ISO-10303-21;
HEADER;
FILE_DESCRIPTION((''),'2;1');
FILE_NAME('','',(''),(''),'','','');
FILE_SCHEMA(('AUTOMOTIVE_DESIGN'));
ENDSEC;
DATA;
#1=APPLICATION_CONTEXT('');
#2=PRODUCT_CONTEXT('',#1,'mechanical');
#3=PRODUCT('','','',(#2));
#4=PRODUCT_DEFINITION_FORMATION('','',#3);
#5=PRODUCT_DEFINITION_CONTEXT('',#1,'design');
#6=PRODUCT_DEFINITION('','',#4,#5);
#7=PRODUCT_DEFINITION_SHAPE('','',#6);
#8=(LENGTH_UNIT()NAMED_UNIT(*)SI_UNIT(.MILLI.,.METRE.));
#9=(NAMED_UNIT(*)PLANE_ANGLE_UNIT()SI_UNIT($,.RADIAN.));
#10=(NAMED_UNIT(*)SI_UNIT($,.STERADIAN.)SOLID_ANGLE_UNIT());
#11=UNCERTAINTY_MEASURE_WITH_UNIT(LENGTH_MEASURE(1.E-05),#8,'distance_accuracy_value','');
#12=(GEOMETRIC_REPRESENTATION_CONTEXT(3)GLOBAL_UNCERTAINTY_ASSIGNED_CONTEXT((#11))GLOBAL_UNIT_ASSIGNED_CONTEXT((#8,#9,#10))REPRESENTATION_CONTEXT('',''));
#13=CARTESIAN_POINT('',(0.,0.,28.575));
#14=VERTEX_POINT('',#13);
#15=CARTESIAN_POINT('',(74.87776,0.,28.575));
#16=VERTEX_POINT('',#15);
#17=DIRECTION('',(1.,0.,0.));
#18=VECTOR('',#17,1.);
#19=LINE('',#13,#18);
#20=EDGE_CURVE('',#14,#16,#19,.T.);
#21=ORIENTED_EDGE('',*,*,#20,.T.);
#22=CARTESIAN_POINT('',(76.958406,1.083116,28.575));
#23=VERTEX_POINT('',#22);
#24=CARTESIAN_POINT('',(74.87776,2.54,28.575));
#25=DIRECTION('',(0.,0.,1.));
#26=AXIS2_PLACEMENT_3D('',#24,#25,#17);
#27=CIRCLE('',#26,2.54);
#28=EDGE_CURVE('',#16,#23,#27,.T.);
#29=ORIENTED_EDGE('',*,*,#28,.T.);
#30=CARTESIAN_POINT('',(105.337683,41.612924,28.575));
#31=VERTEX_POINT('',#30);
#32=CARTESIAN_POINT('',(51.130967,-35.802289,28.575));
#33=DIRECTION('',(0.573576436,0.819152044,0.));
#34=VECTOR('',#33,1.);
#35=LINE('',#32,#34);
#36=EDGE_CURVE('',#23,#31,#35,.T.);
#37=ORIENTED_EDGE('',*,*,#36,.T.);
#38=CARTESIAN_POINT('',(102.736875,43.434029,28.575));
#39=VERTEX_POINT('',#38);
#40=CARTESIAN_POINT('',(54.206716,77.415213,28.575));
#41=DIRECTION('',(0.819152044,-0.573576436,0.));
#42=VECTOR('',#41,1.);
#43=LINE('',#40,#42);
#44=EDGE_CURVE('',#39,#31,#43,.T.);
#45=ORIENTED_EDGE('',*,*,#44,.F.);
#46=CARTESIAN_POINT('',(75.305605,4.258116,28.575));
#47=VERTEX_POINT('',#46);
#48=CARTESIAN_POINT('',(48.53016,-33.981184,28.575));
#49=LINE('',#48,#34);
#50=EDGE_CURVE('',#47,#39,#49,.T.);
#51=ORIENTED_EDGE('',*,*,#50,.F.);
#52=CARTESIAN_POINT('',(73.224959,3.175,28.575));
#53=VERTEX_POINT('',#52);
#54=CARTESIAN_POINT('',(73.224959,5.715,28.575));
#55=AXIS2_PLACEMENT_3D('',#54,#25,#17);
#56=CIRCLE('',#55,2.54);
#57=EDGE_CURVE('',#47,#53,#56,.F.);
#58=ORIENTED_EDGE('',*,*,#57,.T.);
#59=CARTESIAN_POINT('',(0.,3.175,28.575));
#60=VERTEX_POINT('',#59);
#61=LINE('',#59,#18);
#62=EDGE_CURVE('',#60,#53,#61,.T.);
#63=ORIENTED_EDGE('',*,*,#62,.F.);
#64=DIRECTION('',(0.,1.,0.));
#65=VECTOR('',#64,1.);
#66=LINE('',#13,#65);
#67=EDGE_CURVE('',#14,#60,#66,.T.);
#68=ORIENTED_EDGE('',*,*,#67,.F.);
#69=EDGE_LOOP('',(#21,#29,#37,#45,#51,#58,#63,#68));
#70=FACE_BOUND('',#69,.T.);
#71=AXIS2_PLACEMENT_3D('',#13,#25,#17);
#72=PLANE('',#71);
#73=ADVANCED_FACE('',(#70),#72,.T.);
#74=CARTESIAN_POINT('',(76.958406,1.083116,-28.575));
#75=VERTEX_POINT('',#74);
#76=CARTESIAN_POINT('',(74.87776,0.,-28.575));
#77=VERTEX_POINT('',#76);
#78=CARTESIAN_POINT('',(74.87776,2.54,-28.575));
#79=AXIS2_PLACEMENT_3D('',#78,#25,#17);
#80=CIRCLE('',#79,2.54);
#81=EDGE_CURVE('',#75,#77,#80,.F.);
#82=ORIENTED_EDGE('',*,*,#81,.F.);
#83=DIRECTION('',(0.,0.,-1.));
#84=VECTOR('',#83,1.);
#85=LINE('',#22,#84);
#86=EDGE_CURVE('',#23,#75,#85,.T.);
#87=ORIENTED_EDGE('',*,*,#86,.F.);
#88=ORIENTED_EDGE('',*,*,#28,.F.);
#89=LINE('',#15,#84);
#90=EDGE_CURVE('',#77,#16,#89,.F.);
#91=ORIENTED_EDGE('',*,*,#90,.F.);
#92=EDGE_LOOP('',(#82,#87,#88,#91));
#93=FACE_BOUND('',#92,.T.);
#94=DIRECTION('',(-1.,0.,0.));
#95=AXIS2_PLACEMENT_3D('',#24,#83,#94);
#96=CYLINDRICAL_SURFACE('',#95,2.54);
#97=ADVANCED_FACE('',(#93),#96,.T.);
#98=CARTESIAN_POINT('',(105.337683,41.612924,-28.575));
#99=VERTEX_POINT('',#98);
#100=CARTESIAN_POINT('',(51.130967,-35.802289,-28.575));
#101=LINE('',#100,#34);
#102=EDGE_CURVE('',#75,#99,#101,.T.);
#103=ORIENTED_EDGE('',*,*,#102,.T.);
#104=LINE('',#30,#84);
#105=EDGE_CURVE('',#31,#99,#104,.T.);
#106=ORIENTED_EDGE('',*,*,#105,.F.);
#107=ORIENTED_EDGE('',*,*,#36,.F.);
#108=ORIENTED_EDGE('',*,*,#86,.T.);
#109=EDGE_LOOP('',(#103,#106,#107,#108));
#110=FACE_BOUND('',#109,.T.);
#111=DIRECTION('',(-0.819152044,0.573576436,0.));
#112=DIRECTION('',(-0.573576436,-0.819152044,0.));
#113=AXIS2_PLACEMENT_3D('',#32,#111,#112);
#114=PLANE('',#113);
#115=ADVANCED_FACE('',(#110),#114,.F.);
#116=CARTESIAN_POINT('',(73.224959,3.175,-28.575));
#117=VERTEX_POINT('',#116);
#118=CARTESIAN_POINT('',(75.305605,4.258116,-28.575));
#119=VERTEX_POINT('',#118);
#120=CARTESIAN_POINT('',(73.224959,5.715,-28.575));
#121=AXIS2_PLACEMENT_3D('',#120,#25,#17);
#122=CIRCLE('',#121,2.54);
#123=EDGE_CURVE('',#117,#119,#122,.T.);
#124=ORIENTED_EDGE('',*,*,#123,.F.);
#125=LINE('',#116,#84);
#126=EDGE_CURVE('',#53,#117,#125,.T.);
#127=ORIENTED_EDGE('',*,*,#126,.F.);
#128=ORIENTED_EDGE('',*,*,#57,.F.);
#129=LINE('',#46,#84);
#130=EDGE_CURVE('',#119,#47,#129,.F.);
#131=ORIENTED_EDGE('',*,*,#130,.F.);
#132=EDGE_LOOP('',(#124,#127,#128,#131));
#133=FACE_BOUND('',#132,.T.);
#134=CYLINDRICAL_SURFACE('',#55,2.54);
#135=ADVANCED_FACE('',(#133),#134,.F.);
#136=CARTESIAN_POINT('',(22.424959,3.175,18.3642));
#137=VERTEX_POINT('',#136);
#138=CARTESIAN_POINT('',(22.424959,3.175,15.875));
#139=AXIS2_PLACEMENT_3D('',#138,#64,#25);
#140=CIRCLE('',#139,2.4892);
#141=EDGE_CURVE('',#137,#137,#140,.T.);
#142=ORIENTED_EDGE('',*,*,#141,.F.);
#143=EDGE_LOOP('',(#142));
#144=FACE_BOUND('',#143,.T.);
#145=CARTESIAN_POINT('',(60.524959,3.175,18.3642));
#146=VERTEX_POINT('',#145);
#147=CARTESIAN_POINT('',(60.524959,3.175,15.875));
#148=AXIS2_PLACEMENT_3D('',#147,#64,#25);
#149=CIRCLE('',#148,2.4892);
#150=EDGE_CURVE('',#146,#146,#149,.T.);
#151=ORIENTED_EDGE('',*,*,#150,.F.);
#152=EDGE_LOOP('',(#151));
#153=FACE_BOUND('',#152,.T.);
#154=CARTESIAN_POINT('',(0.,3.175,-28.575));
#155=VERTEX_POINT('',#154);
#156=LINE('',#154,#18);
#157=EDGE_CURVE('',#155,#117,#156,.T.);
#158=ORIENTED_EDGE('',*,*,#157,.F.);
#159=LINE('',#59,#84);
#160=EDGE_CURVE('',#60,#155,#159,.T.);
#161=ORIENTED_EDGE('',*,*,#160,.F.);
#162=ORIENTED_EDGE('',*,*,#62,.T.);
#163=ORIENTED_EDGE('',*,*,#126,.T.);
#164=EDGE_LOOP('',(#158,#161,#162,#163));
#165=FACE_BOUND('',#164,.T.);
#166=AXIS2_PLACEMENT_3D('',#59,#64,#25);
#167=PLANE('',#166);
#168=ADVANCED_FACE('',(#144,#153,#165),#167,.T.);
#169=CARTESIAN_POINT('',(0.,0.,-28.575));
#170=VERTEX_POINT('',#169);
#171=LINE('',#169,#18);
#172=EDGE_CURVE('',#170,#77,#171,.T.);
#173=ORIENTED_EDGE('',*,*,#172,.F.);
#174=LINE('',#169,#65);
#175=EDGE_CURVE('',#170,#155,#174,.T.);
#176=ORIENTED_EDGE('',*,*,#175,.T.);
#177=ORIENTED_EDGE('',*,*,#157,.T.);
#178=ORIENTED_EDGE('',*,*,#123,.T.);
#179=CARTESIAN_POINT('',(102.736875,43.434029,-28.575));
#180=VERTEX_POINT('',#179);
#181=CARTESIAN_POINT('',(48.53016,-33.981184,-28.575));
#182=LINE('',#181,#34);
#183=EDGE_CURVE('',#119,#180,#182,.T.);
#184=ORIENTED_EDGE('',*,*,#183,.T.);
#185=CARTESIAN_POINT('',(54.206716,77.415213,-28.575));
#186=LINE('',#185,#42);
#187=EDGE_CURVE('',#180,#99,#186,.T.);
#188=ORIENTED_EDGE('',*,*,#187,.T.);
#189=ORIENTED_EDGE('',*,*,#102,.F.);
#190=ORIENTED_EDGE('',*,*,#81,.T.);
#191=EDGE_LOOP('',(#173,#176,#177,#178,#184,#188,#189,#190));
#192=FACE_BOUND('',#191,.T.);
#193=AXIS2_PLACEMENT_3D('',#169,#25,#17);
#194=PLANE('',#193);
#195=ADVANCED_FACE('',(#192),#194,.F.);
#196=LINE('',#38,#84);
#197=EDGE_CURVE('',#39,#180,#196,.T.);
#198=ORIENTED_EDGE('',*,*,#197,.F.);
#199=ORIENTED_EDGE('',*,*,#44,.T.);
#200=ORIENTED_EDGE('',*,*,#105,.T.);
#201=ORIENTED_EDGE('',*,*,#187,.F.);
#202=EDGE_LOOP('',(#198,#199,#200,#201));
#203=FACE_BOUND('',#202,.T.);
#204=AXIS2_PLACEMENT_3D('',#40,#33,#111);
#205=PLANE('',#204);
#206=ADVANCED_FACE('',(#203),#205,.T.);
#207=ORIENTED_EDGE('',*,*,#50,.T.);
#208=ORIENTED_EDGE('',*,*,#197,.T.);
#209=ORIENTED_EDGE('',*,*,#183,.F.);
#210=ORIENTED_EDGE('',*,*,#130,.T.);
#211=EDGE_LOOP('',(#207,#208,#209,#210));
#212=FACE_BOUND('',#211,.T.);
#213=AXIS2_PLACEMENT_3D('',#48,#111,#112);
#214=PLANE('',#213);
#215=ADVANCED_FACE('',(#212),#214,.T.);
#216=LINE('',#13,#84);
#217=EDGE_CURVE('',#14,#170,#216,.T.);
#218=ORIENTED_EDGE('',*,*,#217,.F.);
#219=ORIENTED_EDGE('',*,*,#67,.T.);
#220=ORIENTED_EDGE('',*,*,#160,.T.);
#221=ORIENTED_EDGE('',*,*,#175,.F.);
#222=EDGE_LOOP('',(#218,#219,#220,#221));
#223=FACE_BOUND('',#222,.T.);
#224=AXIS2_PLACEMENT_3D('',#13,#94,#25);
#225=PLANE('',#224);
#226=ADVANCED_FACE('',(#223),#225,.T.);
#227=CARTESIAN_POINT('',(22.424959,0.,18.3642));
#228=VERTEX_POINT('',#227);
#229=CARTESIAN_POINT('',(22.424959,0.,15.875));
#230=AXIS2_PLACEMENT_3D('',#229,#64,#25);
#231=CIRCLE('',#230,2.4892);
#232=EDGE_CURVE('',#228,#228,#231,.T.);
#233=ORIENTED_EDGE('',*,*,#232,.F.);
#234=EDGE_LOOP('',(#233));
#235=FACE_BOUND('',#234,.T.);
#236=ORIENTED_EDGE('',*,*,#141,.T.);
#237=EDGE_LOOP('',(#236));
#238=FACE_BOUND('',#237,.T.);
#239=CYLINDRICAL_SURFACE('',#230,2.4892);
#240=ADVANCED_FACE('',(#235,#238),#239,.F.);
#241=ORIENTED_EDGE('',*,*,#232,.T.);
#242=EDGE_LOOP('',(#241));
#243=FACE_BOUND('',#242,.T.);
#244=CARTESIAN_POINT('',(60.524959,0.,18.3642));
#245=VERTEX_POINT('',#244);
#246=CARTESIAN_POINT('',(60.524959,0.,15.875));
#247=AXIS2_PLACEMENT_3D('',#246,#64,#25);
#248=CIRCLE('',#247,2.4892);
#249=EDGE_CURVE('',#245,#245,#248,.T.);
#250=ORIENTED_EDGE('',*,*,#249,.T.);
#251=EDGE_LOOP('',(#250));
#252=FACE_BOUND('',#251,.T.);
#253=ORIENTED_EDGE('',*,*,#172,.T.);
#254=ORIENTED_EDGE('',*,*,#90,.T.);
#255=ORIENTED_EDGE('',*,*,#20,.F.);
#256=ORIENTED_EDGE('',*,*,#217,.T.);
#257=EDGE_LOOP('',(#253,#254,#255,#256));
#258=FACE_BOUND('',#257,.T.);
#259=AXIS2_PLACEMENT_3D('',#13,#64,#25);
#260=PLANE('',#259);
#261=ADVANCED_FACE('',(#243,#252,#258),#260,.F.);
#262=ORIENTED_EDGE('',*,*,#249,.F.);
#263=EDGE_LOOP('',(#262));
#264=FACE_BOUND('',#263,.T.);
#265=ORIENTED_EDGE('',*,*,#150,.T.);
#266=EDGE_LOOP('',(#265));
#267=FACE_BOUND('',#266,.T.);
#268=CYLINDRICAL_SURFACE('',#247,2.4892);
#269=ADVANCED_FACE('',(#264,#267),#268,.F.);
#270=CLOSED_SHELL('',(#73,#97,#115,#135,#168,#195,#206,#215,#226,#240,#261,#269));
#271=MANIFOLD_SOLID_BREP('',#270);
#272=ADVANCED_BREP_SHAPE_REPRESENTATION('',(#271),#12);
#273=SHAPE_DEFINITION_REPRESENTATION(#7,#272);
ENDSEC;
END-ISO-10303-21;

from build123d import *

# Parameters (mm, degrees)
BOSS_EXTRUDE1_DEPTH = 28.575
FILLET1_R           = 2.54
FILLET2_R           = 2.54
SKETCH2_R           = 2.4892
CUT_EXTRUDE1_DEPTH  = 4.175


with BuildPart() as part:
    # Sketch1 → Boss-Extrude1 (new body, symmetric)
    with BuildSketch(Plane.XY):
        Polygon((76.2, 0), (73.599192259, 1.821105185), (74.547199614, 3.175), (0, 3.175), (0, 0), align=None)
        Polygon((76.2, 3.175), (76.2, 0), (105.337682967, 41.61292385), (102.736875226, 43.434029035), (74.547199614, 3.175), align=None)
        Polygon((74.547199614, 3.175), (73.599192259, 1.821105185), (76.2, 0), (76.2, 3.175), align=None)
    extrude(amount=BOSS_EXTRUDE1_DEPTH, both=True)

    # Fillet1
    fillet1_edges = [part.edges().sort_by_distance(p)[0] for p in [
        (74.547199614, 3.175, 0),
    ]]
    fillet(fillet1_edges, radius=FILLET1_R)

    # Fillet2
    fillet2_edges = [part.edges().sort_by_distance(p)[0] for p in [
        (76.2, 0, 0),
    ]]
    fillet(fillet2_edges, radius=FILLET2_R)

    # Sketch2 → Cut-Extrude1 (cut, through all)
    with BuildSketch(Plane(origin=(0, 3.175, 0), x_dir=(1, 0, 0), z_dir=(0, 1, 0))):
        with Locations((60.524959306, -15.875)):
            Circle(SKETCH2_R)
        with Locations((22.424959306, -15.875)):
            Circle(SKETCH2_R)
    extrude(amount=-CUT_EXTRUDE1_DEPTH, mode=Mode.SUBTRACT)


solid = part.part
